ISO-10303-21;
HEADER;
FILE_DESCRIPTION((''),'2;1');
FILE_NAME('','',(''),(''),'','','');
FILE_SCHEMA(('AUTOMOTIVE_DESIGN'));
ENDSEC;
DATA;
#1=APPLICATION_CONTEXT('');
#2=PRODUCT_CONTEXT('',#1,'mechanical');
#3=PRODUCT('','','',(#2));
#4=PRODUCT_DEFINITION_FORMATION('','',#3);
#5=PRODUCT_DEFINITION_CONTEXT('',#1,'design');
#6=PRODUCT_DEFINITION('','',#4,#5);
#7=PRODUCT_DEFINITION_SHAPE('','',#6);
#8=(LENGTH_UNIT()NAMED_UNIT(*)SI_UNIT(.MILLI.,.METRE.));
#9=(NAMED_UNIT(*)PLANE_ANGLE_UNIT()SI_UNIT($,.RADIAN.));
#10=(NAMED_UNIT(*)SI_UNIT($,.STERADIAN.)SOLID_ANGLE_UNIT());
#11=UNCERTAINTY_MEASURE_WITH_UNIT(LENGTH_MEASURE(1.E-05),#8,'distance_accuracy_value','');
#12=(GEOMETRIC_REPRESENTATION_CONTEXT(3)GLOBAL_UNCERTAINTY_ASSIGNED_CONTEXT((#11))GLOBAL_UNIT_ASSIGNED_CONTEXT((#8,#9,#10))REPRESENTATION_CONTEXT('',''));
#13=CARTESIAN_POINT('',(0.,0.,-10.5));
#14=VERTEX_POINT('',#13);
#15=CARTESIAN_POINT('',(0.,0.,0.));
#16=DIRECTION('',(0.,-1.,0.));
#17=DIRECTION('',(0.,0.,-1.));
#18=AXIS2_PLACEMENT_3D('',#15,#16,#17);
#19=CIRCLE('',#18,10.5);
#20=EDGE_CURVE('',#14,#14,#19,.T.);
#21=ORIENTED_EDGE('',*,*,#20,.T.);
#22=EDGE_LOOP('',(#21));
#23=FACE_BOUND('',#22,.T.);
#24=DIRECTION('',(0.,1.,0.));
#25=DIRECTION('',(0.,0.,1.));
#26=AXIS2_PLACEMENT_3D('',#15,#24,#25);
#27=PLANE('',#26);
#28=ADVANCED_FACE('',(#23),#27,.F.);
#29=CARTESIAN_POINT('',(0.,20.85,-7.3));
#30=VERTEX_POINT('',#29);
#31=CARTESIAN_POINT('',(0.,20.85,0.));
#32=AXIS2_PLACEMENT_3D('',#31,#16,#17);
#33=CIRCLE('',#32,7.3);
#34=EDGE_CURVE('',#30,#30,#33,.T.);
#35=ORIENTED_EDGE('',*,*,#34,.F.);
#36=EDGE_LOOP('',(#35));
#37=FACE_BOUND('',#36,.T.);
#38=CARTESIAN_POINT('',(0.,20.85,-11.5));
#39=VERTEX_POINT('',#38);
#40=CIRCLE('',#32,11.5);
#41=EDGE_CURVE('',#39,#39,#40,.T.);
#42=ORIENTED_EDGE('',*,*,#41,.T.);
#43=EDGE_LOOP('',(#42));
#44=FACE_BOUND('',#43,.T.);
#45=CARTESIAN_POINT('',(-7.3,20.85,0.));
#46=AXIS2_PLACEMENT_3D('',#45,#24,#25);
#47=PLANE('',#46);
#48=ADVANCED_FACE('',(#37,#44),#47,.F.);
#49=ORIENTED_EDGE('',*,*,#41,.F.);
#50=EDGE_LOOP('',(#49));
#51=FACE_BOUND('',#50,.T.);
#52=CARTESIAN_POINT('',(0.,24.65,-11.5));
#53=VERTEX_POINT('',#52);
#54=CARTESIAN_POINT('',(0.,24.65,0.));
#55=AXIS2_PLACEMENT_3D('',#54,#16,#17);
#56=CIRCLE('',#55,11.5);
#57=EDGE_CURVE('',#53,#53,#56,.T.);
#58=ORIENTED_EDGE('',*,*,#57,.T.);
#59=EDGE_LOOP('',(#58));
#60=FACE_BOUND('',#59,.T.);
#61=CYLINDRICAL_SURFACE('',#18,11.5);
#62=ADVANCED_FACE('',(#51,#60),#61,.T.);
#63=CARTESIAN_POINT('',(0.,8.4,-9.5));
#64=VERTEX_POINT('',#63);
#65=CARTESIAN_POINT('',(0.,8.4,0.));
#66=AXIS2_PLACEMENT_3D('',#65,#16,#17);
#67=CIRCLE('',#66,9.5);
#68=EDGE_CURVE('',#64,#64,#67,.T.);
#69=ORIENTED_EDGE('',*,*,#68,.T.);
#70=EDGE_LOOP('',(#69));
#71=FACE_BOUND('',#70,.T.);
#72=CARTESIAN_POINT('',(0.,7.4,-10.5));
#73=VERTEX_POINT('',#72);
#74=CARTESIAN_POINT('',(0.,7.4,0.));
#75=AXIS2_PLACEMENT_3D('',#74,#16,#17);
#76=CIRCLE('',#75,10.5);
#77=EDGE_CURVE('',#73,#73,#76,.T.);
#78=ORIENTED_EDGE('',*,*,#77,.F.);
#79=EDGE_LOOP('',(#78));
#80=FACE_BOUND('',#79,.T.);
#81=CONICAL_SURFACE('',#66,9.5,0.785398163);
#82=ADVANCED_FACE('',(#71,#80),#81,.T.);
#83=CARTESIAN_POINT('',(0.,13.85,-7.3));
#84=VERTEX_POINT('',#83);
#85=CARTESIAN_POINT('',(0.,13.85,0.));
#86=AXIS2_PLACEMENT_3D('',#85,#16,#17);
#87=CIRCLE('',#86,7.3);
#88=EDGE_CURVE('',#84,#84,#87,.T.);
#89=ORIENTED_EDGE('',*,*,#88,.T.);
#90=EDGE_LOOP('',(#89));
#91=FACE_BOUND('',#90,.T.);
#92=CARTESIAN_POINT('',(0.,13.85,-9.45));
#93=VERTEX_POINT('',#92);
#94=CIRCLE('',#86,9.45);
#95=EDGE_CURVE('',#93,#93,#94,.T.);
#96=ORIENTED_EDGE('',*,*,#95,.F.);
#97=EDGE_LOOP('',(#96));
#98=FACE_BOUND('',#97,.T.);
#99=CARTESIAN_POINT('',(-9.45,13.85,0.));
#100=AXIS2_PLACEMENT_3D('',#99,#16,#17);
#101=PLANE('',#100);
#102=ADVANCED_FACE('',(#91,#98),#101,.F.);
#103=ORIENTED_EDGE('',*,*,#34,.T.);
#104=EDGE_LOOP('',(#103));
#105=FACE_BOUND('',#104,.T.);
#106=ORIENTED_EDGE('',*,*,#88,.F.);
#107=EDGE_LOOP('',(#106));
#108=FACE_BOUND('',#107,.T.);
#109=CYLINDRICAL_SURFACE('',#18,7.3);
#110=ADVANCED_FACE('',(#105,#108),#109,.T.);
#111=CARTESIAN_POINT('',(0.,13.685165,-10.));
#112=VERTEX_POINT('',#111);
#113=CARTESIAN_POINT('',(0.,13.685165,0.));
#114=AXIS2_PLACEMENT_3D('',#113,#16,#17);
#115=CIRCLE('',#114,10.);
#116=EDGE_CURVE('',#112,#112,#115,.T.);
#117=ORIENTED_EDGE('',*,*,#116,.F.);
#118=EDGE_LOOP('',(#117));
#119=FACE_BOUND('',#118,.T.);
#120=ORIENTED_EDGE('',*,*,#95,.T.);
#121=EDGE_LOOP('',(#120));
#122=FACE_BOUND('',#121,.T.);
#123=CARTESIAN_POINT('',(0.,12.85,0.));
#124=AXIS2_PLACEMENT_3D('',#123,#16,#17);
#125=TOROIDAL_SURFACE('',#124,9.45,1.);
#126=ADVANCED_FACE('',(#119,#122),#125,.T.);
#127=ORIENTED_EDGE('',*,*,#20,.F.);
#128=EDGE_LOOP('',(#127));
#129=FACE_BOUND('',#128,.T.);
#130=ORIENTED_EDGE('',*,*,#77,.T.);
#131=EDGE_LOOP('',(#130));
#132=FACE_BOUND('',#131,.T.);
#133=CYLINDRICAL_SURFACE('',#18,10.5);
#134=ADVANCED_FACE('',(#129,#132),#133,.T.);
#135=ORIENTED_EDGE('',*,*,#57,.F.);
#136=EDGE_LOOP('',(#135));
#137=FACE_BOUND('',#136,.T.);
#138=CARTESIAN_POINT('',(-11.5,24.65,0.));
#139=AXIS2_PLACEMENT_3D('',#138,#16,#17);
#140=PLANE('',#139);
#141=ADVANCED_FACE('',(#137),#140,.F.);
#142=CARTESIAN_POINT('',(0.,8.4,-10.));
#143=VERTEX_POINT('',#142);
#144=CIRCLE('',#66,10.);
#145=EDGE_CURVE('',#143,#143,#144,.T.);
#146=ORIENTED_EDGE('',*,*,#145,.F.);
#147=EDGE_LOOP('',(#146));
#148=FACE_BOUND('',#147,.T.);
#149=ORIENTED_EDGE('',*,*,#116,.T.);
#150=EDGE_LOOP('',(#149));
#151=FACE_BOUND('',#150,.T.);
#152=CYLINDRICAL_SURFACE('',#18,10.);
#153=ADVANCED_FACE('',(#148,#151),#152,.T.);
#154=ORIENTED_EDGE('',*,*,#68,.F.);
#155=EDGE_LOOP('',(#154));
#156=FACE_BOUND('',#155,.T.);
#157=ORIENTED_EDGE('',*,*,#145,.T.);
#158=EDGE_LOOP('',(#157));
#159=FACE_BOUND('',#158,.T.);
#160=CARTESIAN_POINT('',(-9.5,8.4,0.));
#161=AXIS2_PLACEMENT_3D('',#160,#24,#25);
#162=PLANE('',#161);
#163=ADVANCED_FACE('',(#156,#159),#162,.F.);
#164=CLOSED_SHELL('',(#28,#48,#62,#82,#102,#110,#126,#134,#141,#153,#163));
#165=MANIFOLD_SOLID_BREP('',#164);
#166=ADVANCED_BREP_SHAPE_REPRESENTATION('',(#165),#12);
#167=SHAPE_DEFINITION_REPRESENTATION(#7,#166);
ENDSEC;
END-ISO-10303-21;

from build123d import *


with BuildPart() as part:
    # Sketch1 → Revolve1 (revolve)
    with BuildSketch(Plane.XY):
        with BuildLine():
            Line((0, 0), (-10.5, 0))
            Line((-10.5, 0), (-10.5, 7.4))
            Line((-10.5, 7.4), (-9.5, 8.4))
            Line((-9.5, 8.4), (-10, 8.4))
            Line((-10, 8.4), (-10, 13.685164654))
            ThreePointArc((-10, 13.685164654), (-9.737084783, 13.807905177), (-9.45, 13.85))
            Line((-9.45, 13.85), (-7.3, 13.85))
            Line((-7.3, 13.85), (-7.3, 20.85))
            Line((-7.3, 20.85), (-11.5, 20.85))
            Line((-11.5, 20.85), (-11.5, 24.65))
            Line((-11.5, 24.65), (0, 24.65))
            Line((0, 24.65), (0, 0))
        make_face()
    revolve(axis=Axis((0, 0, 0), (0, 1, 0)))


solid = part.part
